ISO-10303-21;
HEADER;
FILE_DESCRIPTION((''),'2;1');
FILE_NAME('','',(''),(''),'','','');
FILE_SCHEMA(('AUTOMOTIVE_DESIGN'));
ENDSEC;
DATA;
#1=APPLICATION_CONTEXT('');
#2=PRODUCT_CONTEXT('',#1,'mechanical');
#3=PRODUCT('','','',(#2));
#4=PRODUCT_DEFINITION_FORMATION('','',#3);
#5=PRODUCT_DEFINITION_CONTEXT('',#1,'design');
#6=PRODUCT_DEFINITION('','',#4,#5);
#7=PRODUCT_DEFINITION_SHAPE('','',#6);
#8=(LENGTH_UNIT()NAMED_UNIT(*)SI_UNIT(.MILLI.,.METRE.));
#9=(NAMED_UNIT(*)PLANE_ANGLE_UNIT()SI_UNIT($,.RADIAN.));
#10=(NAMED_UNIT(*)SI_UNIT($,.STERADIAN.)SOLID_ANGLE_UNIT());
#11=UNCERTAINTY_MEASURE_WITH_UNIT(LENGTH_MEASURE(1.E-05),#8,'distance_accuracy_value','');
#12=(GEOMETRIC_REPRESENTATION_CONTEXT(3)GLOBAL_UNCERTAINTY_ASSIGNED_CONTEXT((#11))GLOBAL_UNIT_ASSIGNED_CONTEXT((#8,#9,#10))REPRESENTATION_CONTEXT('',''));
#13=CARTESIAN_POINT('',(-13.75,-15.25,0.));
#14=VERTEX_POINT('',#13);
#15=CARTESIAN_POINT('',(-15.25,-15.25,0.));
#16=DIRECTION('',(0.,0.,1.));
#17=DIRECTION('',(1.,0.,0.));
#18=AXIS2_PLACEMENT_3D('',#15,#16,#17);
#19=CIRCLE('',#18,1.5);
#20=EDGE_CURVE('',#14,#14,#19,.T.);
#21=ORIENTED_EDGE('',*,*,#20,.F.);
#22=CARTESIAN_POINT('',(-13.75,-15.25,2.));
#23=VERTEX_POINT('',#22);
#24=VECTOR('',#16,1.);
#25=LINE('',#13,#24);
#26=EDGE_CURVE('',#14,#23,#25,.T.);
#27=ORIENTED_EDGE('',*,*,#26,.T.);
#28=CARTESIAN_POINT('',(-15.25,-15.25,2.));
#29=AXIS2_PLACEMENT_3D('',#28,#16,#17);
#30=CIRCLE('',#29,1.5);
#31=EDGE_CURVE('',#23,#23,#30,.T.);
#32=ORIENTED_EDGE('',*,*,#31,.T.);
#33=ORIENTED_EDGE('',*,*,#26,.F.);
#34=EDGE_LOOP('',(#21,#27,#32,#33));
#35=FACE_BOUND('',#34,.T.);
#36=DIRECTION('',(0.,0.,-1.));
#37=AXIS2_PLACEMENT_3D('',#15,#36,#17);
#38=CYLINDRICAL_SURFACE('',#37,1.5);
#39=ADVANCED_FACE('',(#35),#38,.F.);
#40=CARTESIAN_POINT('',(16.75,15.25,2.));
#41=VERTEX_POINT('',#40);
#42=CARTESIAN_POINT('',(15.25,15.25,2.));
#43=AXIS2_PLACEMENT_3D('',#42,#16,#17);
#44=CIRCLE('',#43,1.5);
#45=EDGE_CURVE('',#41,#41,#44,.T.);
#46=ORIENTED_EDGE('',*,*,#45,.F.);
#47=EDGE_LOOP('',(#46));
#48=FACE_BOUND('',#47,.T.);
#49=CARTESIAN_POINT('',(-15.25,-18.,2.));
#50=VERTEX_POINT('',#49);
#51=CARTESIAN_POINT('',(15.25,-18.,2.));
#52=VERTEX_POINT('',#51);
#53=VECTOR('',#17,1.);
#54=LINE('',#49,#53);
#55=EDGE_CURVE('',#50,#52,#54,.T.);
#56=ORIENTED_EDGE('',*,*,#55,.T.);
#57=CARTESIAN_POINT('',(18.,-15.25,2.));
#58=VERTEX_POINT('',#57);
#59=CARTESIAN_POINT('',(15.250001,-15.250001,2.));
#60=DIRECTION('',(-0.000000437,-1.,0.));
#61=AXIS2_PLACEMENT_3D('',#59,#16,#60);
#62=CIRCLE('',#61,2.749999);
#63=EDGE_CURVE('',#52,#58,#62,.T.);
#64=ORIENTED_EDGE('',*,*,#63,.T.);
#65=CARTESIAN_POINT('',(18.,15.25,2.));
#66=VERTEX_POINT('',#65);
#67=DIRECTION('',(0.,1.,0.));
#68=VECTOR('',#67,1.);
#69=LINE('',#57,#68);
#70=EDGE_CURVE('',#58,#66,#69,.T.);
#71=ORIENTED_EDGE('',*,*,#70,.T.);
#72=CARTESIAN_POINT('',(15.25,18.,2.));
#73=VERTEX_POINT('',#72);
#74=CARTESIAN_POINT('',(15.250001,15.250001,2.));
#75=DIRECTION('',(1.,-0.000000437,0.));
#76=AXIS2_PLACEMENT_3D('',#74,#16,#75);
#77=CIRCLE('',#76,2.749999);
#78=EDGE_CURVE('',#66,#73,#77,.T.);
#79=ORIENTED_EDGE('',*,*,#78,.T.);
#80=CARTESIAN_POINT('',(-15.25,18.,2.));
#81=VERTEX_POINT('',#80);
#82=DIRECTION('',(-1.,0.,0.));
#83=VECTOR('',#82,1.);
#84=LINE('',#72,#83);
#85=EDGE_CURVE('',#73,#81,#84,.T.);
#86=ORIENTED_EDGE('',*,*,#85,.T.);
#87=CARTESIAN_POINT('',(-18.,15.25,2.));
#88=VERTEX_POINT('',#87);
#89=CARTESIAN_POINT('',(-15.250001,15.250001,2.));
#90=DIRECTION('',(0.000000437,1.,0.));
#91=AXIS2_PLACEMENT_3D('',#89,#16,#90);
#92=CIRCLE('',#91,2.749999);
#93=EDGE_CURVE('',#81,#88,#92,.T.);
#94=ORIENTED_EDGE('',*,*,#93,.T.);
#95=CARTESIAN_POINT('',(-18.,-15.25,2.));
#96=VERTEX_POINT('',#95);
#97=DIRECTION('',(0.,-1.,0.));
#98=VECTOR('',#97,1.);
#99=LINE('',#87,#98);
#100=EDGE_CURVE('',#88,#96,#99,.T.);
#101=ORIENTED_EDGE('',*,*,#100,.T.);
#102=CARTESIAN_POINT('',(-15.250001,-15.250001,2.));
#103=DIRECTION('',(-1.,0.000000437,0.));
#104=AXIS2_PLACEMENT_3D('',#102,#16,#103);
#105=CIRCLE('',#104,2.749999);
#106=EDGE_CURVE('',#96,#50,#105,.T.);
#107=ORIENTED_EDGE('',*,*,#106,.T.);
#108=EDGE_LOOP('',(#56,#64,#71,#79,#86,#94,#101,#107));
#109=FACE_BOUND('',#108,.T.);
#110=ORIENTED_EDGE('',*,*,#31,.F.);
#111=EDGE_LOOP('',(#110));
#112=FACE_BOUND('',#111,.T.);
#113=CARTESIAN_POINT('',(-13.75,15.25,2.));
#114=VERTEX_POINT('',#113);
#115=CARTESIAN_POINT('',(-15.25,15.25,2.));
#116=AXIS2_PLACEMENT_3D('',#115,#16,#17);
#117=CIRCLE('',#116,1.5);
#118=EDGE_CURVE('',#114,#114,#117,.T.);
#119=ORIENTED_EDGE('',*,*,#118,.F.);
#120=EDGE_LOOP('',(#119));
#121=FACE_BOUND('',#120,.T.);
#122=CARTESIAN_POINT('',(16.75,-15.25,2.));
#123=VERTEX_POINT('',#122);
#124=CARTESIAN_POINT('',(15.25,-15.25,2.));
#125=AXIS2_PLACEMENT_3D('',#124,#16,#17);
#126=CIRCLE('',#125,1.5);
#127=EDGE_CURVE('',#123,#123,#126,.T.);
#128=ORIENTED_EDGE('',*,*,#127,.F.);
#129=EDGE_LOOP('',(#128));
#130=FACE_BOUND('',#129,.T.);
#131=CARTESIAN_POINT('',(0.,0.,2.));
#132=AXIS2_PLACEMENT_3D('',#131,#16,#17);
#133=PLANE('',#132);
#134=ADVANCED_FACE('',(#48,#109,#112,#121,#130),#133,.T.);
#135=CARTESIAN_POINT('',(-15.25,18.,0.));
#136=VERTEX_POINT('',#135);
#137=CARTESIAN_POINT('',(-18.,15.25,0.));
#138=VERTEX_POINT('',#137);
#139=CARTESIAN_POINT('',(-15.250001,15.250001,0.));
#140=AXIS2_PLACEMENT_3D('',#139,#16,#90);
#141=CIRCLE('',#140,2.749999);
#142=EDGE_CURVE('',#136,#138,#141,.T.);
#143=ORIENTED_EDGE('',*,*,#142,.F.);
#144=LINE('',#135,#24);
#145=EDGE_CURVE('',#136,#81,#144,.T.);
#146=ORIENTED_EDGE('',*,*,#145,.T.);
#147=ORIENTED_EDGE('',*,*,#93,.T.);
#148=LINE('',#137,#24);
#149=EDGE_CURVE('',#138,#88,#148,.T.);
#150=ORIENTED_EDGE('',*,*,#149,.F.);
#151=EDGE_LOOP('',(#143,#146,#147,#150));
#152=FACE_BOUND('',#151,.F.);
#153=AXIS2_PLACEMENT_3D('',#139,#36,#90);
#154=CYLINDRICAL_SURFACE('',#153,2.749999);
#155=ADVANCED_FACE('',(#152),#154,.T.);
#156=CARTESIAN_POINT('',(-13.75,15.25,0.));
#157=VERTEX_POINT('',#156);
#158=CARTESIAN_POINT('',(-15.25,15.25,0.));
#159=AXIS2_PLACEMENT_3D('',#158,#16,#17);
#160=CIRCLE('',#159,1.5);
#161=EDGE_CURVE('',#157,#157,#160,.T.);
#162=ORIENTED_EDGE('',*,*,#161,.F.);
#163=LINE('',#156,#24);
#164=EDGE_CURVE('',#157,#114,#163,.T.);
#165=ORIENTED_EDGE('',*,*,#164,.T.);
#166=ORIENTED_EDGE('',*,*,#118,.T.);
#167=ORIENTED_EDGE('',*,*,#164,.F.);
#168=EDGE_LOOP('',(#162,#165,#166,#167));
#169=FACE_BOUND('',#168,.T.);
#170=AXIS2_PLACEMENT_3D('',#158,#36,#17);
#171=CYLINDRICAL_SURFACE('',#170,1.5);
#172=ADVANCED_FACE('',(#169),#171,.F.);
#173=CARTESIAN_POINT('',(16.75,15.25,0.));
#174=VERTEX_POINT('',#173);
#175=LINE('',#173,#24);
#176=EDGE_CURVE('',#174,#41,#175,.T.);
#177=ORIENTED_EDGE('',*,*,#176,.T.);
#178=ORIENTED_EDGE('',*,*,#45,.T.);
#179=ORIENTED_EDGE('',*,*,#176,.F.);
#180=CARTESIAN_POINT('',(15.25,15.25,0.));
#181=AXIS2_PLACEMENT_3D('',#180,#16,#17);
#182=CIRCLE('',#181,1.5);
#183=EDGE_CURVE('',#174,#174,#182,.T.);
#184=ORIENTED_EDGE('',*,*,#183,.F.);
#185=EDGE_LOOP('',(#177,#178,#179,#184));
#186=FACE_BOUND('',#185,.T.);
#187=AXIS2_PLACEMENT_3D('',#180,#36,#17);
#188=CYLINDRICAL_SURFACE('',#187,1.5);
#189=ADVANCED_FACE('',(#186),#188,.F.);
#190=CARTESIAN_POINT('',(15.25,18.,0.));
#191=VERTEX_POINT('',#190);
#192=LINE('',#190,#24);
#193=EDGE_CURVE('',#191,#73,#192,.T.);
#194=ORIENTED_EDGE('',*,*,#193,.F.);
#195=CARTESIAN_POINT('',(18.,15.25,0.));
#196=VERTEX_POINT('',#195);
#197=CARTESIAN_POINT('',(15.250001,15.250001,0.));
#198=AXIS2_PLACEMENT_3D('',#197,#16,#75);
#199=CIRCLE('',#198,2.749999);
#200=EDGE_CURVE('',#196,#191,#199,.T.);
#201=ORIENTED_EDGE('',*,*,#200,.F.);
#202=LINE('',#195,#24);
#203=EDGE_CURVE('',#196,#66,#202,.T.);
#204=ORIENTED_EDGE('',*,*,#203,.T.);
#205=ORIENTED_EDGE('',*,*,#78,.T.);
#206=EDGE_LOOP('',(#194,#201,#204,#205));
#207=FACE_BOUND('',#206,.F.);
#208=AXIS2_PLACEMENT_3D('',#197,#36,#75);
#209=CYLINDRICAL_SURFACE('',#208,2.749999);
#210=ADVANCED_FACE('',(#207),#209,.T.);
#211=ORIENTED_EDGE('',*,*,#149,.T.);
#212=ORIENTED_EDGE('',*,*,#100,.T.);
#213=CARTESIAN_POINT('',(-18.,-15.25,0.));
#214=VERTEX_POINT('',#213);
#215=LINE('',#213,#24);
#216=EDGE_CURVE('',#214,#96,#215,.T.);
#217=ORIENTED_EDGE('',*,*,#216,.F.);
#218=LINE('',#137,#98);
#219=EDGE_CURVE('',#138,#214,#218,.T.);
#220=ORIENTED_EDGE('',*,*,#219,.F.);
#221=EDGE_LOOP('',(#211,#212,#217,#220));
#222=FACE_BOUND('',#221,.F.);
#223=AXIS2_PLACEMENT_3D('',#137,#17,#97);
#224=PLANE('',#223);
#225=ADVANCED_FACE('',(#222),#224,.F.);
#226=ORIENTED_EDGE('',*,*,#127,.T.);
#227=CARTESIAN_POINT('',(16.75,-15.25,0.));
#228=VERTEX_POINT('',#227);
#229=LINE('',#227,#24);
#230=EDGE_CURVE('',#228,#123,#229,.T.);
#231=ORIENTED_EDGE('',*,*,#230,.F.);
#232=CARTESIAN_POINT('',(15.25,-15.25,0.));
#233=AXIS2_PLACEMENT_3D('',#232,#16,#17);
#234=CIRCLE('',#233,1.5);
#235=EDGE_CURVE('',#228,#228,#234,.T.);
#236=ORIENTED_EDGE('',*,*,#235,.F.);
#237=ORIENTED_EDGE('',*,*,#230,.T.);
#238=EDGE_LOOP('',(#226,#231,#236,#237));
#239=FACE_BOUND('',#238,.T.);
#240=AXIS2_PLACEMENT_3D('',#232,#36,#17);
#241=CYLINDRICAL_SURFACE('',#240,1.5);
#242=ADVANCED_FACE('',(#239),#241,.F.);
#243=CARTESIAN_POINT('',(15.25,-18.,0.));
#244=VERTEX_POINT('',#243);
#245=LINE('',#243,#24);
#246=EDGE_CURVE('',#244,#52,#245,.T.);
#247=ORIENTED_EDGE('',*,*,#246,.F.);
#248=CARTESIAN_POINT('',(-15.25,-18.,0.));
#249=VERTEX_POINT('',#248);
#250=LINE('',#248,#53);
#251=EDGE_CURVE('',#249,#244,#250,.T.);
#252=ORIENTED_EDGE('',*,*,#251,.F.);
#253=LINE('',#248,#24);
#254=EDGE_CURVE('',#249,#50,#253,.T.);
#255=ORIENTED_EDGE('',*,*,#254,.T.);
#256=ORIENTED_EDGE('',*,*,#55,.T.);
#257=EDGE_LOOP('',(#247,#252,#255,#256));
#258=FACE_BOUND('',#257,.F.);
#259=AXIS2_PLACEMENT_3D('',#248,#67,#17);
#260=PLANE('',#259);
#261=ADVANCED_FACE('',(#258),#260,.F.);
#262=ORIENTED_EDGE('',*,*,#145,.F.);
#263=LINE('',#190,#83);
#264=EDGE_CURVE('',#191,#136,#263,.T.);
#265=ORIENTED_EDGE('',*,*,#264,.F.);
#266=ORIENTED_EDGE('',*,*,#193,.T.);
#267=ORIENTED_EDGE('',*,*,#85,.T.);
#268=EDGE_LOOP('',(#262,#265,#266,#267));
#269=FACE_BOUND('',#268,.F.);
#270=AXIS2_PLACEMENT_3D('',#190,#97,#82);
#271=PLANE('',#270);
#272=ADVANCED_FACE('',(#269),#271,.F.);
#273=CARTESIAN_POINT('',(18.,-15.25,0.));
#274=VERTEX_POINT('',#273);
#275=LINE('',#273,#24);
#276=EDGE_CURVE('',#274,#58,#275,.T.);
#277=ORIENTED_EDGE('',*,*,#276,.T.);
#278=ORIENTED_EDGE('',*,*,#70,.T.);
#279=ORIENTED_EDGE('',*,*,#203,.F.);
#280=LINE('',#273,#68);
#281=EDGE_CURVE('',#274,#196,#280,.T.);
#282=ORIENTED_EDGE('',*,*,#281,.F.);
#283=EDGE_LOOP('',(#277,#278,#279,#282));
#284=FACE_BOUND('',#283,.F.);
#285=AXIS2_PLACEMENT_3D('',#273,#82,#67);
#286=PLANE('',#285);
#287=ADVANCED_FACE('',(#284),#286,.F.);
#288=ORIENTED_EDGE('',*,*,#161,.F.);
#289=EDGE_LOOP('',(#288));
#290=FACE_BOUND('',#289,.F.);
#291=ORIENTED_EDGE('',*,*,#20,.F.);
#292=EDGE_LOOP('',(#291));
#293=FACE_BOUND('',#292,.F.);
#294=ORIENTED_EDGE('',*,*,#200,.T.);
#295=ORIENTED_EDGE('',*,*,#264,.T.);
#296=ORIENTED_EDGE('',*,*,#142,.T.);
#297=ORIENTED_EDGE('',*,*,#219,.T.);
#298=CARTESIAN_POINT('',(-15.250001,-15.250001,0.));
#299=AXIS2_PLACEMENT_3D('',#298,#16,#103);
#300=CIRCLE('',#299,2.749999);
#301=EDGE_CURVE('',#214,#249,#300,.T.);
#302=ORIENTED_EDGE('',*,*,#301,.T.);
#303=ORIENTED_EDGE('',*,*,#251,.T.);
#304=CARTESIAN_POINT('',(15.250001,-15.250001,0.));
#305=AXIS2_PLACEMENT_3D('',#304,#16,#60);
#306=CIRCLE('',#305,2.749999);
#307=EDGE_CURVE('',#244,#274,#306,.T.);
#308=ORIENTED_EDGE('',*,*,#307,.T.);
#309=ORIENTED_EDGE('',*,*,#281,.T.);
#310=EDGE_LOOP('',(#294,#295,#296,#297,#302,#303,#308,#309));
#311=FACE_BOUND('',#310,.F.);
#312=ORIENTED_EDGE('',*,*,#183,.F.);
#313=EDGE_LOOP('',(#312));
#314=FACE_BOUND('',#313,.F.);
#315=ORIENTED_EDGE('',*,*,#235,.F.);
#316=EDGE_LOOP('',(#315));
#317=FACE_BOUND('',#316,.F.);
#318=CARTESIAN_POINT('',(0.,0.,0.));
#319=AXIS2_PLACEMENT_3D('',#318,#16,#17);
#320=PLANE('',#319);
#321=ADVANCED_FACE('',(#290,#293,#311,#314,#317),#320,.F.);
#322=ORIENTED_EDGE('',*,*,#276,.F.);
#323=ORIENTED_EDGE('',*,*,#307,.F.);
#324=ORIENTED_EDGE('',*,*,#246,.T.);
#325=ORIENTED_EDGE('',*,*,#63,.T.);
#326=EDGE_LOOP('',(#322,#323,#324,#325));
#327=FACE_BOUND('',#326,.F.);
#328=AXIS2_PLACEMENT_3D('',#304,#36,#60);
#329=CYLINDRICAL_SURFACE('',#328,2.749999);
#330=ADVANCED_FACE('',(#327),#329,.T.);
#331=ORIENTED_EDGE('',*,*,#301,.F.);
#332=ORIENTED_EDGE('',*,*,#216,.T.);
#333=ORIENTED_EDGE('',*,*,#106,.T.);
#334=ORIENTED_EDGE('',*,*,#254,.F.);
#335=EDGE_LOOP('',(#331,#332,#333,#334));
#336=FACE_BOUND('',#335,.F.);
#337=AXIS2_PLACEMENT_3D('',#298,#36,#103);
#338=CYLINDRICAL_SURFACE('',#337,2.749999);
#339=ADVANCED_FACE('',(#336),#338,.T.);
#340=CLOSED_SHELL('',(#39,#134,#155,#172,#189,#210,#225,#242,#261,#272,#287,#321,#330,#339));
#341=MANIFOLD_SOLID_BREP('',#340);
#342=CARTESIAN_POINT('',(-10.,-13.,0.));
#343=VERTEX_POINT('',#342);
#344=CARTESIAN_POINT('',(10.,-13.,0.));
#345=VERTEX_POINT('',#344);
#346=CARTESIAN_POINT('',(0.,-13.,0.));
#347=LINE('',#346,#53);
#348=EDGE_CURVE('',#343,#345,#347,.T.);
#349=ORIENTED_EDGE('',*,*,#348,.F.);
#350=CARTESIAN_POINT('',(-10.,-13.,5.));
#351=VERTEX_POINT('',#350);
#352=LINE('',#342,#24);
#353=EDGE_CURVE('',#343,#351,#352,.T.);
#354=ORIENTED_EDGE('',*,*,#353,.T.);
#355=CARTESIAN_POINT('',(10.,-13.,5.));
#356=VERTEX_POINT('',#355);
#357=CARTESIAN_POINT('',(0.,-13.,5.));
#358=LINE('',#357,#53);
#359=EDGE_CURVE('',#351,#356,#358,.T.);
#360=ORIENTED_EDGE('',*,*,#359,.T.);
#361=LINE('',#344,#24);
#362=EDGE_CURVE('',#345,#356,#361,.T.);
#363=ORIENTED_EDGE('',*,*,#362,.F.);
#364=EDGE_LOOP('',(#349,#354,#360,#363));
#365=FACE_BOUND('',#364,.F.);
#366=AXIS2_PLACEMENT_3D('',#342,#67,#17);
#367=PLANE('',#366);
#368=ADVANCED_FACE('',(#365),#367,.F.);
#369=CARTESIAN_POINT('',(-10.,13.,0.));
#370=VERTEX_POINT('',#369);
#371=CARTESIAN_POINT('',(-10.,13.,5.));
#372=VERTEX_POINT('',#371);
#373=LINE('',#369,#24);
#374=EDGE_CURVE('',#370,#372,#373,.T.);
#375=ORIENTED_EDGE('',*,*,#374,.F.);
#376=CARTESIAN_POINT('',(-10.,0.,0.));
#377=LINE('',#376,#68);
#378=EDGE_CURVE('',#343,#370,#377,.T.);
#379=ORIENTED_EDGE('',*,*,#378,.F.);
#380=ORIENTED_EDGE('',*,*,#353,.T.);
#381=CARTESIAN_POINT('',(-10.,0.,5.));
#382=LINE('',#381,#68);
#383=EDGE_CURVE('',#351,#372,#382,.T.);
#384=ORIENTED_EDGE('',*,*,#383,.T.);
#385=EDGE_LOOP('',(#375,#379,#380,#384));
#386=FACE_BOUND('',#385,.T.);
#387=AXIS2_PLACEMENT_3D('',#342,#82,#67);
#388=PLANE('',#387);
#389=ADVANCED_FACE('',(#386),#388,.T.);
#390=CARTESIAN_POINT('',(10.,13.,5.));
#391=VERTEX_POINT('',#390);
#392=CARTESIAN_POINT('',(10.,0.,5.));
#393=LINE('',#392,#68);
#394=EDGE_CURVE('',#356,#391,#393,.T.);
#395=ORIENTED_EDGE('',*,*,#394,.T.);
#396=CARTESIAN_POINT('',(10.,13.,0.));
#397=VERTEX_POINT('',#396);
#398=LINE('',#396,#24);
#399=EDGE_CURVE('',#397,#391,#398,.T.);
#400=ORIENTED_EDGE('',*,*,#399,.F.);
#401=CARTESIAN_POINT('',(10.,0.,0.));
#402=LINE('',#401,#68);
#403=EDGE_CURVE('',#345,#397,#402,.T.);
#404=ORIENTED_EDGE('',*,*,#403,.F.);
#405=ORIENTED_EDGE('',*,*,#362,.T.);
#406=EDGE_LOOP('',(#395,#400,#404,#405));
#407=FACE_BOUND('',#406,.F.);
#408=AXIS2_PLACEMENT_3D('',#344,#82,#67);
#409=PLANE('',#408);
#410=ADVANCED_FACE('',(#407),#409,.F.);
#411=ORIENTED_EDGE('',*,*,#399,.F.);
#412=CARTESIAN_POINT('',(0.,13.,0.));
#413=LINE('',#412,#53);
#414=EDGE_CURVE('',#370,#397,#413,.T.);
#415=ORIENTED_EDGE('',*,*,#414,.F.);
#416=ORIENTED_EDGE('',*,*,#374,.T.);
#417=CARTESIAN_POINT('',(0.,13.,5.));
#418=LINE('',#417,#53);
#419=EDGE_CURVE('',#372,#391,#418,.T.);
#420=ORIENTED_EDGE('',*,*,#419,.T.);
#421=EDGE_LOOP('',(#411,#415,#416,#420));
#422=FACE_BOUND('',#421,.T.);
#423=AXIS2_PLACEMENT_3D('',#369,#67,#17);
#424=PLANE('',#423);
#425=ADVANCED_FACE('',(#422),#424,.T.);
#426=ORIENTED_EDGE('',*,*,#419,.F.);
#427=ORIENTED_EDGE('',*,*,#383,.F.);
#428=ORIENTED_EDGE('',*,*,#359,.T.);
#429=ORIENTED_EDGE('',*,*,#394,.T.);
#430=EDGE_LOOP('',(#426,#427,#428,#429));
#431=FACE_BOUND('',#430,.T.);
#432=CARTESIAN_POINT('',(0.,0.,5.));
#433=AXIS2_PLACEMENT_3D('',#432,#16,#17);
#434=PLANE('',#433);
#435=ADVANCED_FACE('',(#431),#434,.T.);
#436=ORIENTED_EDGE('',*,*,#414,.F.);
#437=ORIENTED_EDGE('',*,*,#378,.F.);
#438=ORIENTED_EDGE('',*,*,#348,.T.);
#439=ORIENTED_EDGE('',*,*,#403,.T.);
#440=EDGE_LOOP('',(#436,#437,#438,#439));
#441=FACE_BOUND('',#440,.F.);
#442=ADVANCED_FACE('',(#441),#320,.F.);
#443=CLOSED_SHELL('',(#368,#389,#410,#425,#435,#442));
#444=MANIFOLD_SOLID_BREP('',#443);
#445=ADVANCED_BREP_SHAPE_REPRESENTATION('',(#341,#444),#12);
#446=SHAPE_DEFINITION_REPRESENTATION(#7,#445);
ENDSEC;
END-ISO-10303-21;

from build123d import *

# Parameters (mm, degrees)
F0_R     = 1.5
F1_DEPTH = 2
F2_W     = 20
F2_H     = 26
F3_DEPTH = 5


with BuildPart() as f1:
    # F0 (on Top) → F1 (new body)
    with BuildSketch(Plane.XY):
        with BuildLine():
            Line((15.25, 18), (-15.25, 18))
            ThreePointArc((-15.25, 18), (-17.194544, 17.194544), (-18, 15.25))
            Line((-18, 15.25), (-18, -15.25))
            ThreePointArc((-18, -15.25), (-17.194544, -17.194544), (-15.25, -18))
            Line((-15.25, -18), (15.25, -18))
            ThreePointArc((15.25, -18), (17.194544, -17.194544), (18, -15.25))
            Line((18, -15.25), (18, 15.25))
            ThreePointArc((18, 15.25), (17.194544, 17.194544), (15.25, 18))
        make_face()
        with Locations((-15.25, -15.25)):
            Circle(F0_R, mode=Mode.SUBTRACT)
        with Locations((15.25, -15.25)):
            Circle(F0_R, mode=Mode.SUBTRACT)
        with Locations((-15.25, 15.25)):
            Circle(F0_R, mode=Mode.SUBTRACT)
        with Locations((15.25, 15.25)):
            Circle(F0_R, mode=Mode.SUBTRACT)
    extrude(amount=F1_DEPTH)


with BuildPart() as f3:
    # F2 (on Top) → F3 (new body)
    with BuildSketch(Plane.XY):
        Rectangle(F2_W, F2_H)
    extrude(amount=F3_DEPTH)


solid = Compound([f1.part, f3.part])
